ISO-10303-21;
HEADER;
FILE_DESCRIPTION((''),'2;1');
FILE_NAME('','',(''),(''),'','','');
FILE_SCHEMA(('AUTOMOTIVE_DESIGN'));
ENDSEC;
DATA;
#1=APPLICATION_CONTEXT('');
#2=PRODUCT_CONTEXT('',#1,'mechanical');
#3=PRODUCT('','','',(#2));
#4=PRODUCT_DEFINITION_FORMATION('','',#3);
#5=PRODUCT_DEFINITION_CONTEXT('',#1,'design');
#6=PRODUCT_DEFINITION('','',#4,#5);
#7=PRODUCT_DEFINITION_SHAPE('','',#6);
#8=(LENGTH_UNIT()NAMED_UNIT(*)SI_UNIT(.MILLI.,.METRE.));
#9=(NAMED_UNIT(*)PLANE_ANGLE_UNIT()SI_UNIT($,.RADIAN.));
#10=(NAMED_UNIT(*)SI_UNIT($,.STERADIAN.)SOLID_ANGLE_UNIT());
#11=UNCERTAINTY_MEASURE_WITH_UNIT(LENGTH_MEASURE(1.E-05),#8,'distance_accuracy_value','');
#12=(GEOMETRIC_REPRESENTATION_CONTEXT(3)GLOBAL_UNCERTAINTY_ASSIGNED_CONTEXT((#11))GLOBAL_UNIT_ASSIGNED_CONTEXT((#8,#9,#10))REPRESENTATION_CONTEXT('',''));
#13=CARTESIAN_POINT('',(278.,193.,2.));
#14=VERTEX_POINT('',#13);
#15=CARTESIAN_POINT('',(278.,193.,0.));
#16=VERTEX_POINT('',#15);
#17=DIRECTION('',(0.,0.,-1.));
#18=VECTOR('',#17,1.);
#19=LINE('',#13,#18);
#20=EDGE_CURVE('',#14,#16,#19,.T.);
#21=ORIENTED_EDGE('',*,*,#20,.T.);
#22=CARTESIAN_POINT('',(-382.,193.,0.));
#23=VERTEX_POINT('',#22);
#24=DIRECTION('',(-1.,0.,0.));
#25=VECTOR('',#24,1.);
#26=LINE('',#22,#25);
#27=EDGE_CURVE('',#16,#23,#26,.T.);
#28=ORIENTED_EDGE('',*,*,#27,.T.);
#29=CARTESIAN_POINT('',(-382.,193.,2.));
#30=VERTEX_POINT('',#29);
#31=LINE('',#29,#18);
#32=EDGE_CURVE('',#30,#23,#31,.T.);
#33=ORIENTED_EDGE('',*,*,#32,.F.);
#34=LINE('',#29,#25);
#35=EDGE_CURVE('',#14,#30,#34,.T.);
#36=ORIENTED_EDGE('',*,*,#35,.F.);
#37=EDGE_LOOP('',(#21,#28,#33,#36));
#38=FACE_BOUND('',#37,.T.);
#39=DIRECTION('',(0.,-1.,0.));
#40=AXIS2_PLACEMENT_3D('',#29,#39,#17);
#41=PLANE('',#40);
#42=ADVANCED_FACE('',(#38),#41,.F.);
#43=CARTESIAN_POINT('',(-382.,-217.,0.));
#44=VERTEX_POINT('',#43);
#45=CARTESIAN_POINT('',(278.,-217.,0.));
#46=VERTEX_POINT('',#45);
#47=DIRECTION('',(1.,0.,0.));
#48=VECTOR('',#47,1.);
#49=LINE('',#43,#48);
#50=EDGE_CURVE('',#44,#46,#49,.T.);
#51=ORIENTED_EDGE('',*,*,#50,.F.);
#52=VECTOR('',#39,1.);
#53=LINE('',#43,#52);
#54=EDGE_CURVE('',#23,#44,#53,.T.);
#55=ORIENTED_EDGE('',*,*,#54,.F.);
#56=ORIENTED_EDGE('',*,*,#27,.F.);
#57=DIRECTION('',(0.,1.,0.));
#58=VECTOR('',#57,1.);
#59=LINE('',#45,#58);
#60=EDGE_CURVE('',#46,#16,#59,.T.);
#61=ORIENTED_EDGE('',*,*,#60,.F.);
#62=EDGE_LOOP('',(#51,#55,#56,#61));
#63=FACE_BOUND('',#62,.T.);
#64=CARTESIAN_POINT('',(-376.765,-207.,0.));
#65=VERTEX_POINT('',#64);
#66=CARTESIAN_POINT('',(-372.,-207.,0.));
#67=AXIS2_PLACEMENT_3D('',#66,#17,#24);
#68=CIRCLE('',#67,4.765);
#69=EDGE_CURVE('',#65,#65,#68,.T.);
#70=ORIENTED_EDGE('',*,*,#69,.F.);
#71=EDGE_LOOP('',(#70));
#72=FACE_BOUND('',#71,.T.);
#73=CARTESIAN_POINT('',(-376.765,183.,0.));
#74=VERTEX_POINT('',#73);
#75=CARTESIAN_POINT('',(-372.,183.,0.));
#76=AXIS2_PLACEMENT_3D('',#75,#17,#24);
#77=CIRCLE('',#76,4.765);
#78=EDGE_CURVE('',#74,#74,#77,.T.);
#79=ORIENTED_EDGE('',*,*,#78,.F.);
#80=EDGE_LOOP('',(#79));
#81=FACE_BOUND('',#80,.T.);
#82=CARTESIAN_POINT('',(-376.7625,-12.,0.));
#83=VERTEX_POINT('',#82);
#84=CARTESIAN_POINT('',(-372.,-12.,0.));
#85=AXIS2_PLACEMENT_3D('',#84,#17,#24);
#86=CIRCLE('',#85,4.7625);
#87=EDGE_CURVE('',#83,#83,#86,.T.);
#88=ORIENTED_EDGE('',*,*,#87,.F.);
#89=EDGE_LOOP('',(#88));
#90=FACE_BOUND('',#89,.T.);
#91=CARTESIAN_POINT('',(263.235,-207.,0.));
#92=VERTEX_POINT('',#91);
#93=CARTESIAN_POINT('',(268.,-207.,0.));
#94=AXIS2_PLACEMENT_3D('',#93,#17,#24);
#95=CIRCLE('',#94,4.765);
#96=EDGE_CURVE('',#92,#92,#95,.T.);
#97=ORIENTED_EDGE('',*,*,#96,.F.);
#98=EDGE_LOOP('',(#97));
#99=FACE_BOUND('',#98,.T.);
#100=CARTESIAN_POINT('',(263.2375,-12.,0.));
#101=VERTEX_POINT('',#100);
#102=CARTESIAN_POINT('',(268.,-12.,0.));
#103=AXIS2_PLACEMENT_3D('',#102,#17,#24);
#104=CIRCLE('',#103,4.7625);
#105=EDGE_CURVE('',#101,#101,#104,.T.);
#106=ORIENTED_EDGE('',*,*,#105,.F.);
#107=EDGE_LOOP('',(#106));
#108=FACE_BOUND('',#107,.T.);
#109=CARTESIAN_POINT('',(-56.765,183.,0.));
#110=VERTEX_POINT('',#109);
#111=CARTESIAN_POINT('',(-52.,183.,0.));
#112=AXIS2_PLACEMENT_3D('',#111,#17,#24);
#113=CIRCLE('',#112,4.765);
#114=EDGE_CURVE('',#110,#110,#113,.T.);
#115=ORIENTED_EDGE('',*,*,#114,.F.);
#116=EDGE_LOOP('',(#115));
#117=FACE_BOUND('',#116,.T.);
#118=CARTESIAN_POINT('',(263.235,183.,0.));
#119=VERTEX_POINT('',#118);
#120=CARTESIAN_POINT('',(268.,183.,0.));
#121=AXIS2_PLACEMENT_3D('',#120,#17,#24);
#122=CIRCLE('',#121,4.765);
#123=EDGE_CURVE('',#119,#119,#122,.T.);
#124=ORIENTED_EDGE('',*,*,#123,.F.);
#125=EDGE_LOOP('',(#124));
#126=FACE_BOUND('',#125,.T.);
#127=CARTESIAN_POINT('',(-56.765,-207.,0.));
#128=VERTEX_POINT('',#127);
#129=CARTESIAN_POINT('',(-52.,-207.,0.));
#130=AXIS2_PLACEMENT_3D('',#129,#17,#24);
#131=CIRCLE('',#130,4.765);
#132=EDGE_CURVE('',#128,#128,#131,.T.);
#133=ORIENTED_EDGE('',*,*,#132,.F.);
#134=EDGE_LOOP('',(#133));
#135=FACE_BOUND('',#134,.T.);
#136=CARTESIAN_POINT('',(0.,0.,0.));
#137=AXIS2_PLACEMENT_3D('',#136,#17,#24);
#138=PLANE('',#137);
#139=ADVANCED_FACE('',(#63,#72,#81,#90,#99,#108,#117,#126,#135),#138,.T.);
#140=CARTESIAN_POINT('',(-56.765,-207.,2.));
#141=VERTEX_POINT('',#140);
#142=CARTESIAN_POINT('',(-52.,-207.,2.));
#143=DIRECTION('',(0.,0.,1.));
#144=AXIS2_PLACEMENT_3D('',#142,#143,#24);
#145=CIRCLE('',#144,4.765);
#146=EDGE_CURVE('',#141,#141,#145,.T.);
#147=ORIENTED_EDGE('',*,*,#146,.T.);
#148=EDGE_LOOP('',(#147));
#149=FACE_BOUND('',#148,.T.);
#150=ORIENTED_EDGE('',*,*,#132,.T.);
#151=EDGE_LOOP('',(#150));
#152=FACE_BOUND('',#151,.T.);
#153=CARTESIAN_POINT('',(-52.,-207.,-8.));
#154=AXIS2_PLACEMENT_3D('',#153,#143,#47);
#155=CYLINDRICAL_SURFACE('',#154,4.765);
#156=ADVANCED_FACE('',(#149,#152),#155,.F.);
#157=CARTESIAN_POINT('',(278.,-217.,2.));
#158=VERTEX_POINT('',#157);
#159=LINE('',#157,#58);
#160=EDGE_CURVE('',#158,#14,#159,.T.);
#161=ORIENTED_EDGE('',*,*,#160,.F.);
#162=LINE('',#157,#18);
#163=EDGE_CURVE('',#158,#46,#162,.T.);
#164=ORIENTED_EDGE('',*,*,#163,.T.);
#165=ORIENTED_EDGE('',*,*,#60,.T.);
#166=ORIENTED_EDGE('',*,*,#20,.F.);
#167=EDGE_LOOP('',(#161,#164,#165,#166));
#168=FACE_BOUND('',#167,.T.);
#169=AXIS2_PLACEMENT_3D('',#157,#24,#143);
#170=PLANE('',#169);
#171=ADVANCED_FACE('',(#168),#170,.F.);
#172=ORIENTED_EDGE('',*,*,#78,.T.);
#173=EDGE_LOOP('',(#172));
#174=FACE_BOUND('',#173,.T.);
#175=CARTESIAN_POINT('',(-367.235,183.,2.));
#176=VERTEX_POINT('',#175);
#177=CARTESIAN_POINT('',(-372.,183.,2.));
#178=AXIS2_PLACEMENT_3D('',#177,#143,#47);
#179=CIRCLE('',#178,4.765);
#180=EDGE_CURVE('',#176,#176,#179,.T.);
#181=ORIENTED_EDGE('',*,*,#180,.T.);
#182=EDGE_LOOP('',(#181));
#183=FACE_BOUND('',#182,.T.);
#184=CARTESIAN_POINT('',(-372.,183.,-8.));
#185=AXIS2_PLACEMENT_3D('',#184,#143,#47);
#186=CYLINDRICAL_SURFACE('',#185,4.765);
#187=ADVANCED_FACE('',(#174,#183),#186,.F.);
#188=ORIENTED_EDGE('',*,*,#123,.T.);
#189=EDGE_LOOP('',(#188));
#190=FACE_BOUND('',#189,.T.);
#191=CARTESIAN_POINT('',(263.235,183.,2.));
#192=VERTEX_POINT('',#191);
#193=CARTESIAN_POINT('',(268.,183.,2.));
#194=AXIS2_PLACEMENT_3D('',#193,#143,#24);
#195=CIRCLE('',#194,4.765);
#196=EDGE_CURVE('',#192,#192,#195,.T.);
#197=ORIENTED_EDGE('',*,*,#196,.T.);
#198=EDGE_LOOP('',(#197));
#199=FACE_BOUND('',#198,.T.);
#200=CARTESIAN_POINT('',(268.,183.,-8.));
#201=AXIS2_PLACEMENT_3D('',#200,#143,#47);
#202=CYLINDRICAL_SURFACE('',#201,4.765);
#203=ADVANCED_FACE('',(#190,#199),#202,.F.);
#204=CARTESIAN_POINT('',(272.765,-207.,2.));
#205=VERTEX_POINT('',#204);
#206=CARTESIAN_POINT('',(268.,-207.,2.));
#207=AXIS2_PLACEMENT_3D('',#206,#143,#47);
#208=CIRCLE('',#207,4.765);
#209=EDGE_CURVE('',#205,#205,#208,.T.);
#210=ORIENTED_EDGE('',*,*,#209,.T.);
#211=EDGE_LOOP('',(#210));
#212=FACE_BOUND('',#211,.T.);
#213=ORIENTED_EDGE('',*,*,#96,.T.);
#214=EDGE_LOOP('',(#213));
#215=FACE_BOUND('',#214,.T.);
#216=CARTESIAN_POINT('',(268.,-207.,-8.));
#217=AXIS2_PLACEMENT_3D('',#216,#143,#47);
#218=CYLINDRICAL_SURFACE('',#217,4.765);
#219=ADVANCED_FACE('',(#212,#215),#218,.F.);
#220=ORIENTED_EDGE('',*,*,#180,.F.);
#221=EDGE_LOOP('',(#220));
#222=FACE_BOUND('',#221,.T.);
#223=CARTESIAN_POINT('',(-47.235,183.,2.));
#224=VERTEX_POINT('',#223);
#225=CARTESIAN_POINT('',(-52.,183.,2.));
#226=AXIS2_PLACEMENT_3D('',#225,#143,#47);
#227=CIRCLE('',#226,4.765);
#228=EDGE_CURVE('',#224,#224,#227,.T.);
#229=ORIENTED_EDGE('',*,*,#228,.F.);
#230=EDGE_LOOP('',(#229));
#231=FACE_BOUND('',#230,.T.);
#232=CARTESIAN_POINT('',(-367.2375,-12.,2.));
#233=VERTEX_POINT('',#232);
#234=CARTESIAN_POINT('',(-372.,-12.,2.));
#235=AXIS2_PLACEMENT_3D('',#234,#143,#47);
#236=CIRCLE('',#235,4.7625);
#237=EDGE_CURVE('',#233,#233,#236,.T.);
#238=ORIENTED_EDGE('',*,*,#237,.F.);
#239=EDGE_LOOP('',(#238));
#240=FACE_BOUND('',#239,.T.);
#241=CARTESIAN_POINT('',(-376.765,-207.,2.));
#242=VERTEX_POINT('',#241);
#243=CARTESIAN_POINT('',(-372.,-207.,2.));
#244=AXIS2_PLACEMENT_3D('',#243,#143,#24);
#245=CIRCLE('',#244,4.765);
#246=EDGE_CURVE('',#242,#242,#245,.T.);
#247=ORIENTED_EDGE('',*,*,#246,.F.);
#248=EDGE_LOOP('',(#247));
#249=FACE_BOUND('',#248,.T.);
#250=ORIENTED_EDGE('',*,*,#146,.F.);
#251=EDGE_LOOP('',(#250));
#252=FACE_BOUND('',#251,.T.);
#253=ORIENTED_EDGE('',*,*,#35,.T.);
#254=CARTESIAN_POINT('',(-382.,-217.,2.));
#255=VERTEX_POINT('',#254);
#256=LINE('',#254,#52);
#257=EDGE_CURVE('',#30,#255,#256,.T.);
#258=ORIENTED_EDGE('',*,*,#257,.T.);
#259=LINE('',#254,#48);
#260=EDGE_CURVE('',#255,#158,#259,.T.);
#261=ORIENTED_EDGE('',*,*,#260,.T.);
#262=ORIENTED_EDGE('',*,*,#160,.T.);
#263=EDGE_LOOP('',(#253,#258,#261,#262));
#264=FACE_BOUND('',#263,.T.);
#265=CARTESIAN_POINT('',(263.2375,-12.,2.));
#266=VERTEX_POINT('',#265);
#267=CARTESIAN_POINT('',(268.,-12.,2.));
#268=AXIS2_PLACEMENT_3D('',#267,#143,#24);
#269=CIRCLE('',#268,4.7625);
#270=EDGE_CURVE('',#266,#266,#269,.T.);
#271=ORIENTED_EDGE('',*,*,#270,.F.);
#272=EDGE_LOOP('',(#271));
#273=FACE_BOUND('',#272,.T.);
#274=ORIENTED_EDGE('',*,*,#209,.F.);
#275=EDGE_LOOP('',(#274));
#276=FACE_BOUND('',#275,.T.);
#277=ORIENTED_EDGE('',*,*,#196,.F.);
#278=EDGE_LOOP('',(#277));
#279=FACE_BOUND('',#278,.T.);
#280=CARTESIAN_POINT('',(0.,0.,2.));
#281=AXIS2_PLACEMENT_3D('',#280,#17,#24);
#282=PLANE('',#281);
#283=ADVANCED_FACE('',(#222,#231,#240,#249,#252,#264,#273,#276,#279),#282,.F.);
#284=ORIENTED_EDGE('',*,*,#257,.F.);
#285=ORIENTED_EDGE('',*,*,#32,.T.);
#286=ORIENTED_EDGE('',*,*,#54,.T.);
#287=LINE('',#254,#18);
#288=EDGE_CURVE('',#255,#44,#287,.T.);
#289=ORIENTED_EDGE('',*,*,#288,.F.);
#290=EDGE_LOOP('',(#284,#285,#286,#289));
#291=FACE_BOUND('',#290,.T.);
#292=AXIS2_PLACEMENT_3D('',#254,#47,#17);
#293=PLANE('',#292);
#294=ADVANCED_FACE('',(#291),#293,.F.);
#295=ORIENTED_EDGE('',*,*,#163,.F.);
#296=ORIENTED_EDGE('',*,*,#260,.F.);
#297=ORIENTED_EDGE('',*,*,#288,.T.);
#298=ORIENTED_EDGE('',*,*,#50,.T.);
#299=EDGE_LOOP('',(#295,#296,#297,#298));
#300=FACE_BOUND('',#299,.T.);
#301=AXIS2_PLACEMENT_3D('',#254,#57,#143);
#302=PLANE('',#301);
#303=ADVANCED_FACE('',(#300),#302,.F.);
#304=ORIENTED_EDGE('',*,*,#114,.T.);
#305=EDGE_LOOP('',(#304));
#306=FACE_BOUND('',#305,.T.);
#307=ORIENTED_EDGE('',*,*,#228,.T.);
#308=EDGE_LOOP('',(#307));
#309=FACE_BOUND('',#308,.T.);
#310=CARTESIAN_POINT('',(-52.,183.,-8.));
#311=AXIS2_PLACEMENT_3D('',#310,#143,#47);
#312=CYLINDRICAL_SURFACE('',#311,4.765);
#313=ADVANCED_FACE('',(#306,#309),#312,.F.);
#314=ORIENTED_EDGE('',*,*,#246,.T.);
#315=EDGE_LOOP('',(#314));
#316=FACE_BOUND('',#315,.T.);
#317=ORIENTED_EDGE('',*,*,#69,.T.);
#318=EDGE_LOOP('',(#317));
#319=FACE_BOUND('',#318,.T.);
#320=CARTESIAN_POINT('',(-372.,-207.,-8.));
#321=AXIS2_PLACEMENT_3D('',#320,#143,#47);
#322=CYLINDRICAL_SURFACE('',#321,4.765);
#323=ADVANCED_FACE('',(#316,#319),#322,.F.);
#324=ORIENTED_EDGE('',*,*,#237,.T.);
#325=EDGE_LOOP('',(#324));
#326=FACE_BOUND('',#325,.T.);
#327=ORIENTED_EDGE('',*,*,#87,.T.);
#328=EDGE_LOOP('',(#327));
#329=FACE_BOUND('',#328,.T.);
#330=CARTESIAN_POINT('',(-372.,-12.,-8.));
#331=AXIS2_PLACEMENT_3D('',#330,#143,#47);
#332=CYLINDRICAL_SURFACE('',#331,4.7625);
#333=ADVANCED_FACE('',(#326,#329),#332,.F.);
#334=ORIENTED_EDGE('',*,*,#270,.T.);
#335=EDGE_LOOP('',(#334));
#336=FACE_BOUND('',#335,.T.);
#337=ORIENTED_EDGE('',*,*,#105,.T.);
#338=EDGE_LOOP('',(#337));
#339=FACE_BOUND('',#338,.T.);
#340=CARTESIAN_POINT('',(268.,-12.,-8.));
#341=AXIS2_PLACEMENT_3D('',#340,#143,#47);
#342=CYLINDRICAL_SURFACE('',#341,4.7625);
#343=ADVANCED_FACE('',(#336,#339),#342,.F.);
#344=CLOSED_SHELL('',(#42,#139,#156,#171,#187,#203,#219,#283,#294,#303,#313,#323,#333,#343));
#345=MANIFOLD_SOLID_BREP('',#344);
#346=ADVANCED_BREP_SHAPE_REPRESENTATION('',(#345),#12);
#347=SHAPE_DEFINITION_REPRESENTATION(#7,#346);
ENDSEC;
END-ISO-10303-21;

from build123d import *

# Parameters (mm, degrees)
CROQUIS1_W              = 660
CROQUIS1_H              = 410
SALIENTE_EXTRUIR1_DEPTH = 2
CROQUIS2_R              = 4.765
CROQUIS2_R_2            = 4.7625
CORTAR_EXTRUIR2_DEPTH   = 10


with BuildPart() as part:
    # Croquis1 → Saliente-Extruir1 (new body)
    with BuildSketch(Plane.XY):
        with Locations((-52, -12)):
            Rectangle(CROQUIS1_W, CROQUIS1_H)
    extrude(amount=SALIENTE_EXTRUIR1_DEPTH)

    # Croquis2 → Cortar-Extruir2 (cut)
    with BuildSketch(Plane.XY.offset(2)):
        with Locations((-372, 183)):
            Circle(CROQUIS2_R)
        with Locations(Location((268, 183, 0), (0, 0, 180))):
            Circle(CROQUIS2_R)
        with Locations((268, -207)):
            Circle(CROQUIS2_R)
        with Locations(Location((-372, -207, 0), (0, 0, 180))):
            Circle(CROQUIS2_R)
        with Locations((-372, -12)):
            Circle(CROQUIS2_R_2)
        with Locations(Location((268, -12, 0), (0, 0, 180))):
            Circle(CROQUIS2_R_2)
        with Locations((-52, 183)):
            Circle(CROQUIS2_R)
        with Locations(Location((-52, -207, 0), (0, 0, 180))):
            Circle(CROQUIS2_R)
    extrude(amount=-CORTAR_EXTRUIR2_DEPTH, mode=Mode.SUBTRACT)


solid = part.part
